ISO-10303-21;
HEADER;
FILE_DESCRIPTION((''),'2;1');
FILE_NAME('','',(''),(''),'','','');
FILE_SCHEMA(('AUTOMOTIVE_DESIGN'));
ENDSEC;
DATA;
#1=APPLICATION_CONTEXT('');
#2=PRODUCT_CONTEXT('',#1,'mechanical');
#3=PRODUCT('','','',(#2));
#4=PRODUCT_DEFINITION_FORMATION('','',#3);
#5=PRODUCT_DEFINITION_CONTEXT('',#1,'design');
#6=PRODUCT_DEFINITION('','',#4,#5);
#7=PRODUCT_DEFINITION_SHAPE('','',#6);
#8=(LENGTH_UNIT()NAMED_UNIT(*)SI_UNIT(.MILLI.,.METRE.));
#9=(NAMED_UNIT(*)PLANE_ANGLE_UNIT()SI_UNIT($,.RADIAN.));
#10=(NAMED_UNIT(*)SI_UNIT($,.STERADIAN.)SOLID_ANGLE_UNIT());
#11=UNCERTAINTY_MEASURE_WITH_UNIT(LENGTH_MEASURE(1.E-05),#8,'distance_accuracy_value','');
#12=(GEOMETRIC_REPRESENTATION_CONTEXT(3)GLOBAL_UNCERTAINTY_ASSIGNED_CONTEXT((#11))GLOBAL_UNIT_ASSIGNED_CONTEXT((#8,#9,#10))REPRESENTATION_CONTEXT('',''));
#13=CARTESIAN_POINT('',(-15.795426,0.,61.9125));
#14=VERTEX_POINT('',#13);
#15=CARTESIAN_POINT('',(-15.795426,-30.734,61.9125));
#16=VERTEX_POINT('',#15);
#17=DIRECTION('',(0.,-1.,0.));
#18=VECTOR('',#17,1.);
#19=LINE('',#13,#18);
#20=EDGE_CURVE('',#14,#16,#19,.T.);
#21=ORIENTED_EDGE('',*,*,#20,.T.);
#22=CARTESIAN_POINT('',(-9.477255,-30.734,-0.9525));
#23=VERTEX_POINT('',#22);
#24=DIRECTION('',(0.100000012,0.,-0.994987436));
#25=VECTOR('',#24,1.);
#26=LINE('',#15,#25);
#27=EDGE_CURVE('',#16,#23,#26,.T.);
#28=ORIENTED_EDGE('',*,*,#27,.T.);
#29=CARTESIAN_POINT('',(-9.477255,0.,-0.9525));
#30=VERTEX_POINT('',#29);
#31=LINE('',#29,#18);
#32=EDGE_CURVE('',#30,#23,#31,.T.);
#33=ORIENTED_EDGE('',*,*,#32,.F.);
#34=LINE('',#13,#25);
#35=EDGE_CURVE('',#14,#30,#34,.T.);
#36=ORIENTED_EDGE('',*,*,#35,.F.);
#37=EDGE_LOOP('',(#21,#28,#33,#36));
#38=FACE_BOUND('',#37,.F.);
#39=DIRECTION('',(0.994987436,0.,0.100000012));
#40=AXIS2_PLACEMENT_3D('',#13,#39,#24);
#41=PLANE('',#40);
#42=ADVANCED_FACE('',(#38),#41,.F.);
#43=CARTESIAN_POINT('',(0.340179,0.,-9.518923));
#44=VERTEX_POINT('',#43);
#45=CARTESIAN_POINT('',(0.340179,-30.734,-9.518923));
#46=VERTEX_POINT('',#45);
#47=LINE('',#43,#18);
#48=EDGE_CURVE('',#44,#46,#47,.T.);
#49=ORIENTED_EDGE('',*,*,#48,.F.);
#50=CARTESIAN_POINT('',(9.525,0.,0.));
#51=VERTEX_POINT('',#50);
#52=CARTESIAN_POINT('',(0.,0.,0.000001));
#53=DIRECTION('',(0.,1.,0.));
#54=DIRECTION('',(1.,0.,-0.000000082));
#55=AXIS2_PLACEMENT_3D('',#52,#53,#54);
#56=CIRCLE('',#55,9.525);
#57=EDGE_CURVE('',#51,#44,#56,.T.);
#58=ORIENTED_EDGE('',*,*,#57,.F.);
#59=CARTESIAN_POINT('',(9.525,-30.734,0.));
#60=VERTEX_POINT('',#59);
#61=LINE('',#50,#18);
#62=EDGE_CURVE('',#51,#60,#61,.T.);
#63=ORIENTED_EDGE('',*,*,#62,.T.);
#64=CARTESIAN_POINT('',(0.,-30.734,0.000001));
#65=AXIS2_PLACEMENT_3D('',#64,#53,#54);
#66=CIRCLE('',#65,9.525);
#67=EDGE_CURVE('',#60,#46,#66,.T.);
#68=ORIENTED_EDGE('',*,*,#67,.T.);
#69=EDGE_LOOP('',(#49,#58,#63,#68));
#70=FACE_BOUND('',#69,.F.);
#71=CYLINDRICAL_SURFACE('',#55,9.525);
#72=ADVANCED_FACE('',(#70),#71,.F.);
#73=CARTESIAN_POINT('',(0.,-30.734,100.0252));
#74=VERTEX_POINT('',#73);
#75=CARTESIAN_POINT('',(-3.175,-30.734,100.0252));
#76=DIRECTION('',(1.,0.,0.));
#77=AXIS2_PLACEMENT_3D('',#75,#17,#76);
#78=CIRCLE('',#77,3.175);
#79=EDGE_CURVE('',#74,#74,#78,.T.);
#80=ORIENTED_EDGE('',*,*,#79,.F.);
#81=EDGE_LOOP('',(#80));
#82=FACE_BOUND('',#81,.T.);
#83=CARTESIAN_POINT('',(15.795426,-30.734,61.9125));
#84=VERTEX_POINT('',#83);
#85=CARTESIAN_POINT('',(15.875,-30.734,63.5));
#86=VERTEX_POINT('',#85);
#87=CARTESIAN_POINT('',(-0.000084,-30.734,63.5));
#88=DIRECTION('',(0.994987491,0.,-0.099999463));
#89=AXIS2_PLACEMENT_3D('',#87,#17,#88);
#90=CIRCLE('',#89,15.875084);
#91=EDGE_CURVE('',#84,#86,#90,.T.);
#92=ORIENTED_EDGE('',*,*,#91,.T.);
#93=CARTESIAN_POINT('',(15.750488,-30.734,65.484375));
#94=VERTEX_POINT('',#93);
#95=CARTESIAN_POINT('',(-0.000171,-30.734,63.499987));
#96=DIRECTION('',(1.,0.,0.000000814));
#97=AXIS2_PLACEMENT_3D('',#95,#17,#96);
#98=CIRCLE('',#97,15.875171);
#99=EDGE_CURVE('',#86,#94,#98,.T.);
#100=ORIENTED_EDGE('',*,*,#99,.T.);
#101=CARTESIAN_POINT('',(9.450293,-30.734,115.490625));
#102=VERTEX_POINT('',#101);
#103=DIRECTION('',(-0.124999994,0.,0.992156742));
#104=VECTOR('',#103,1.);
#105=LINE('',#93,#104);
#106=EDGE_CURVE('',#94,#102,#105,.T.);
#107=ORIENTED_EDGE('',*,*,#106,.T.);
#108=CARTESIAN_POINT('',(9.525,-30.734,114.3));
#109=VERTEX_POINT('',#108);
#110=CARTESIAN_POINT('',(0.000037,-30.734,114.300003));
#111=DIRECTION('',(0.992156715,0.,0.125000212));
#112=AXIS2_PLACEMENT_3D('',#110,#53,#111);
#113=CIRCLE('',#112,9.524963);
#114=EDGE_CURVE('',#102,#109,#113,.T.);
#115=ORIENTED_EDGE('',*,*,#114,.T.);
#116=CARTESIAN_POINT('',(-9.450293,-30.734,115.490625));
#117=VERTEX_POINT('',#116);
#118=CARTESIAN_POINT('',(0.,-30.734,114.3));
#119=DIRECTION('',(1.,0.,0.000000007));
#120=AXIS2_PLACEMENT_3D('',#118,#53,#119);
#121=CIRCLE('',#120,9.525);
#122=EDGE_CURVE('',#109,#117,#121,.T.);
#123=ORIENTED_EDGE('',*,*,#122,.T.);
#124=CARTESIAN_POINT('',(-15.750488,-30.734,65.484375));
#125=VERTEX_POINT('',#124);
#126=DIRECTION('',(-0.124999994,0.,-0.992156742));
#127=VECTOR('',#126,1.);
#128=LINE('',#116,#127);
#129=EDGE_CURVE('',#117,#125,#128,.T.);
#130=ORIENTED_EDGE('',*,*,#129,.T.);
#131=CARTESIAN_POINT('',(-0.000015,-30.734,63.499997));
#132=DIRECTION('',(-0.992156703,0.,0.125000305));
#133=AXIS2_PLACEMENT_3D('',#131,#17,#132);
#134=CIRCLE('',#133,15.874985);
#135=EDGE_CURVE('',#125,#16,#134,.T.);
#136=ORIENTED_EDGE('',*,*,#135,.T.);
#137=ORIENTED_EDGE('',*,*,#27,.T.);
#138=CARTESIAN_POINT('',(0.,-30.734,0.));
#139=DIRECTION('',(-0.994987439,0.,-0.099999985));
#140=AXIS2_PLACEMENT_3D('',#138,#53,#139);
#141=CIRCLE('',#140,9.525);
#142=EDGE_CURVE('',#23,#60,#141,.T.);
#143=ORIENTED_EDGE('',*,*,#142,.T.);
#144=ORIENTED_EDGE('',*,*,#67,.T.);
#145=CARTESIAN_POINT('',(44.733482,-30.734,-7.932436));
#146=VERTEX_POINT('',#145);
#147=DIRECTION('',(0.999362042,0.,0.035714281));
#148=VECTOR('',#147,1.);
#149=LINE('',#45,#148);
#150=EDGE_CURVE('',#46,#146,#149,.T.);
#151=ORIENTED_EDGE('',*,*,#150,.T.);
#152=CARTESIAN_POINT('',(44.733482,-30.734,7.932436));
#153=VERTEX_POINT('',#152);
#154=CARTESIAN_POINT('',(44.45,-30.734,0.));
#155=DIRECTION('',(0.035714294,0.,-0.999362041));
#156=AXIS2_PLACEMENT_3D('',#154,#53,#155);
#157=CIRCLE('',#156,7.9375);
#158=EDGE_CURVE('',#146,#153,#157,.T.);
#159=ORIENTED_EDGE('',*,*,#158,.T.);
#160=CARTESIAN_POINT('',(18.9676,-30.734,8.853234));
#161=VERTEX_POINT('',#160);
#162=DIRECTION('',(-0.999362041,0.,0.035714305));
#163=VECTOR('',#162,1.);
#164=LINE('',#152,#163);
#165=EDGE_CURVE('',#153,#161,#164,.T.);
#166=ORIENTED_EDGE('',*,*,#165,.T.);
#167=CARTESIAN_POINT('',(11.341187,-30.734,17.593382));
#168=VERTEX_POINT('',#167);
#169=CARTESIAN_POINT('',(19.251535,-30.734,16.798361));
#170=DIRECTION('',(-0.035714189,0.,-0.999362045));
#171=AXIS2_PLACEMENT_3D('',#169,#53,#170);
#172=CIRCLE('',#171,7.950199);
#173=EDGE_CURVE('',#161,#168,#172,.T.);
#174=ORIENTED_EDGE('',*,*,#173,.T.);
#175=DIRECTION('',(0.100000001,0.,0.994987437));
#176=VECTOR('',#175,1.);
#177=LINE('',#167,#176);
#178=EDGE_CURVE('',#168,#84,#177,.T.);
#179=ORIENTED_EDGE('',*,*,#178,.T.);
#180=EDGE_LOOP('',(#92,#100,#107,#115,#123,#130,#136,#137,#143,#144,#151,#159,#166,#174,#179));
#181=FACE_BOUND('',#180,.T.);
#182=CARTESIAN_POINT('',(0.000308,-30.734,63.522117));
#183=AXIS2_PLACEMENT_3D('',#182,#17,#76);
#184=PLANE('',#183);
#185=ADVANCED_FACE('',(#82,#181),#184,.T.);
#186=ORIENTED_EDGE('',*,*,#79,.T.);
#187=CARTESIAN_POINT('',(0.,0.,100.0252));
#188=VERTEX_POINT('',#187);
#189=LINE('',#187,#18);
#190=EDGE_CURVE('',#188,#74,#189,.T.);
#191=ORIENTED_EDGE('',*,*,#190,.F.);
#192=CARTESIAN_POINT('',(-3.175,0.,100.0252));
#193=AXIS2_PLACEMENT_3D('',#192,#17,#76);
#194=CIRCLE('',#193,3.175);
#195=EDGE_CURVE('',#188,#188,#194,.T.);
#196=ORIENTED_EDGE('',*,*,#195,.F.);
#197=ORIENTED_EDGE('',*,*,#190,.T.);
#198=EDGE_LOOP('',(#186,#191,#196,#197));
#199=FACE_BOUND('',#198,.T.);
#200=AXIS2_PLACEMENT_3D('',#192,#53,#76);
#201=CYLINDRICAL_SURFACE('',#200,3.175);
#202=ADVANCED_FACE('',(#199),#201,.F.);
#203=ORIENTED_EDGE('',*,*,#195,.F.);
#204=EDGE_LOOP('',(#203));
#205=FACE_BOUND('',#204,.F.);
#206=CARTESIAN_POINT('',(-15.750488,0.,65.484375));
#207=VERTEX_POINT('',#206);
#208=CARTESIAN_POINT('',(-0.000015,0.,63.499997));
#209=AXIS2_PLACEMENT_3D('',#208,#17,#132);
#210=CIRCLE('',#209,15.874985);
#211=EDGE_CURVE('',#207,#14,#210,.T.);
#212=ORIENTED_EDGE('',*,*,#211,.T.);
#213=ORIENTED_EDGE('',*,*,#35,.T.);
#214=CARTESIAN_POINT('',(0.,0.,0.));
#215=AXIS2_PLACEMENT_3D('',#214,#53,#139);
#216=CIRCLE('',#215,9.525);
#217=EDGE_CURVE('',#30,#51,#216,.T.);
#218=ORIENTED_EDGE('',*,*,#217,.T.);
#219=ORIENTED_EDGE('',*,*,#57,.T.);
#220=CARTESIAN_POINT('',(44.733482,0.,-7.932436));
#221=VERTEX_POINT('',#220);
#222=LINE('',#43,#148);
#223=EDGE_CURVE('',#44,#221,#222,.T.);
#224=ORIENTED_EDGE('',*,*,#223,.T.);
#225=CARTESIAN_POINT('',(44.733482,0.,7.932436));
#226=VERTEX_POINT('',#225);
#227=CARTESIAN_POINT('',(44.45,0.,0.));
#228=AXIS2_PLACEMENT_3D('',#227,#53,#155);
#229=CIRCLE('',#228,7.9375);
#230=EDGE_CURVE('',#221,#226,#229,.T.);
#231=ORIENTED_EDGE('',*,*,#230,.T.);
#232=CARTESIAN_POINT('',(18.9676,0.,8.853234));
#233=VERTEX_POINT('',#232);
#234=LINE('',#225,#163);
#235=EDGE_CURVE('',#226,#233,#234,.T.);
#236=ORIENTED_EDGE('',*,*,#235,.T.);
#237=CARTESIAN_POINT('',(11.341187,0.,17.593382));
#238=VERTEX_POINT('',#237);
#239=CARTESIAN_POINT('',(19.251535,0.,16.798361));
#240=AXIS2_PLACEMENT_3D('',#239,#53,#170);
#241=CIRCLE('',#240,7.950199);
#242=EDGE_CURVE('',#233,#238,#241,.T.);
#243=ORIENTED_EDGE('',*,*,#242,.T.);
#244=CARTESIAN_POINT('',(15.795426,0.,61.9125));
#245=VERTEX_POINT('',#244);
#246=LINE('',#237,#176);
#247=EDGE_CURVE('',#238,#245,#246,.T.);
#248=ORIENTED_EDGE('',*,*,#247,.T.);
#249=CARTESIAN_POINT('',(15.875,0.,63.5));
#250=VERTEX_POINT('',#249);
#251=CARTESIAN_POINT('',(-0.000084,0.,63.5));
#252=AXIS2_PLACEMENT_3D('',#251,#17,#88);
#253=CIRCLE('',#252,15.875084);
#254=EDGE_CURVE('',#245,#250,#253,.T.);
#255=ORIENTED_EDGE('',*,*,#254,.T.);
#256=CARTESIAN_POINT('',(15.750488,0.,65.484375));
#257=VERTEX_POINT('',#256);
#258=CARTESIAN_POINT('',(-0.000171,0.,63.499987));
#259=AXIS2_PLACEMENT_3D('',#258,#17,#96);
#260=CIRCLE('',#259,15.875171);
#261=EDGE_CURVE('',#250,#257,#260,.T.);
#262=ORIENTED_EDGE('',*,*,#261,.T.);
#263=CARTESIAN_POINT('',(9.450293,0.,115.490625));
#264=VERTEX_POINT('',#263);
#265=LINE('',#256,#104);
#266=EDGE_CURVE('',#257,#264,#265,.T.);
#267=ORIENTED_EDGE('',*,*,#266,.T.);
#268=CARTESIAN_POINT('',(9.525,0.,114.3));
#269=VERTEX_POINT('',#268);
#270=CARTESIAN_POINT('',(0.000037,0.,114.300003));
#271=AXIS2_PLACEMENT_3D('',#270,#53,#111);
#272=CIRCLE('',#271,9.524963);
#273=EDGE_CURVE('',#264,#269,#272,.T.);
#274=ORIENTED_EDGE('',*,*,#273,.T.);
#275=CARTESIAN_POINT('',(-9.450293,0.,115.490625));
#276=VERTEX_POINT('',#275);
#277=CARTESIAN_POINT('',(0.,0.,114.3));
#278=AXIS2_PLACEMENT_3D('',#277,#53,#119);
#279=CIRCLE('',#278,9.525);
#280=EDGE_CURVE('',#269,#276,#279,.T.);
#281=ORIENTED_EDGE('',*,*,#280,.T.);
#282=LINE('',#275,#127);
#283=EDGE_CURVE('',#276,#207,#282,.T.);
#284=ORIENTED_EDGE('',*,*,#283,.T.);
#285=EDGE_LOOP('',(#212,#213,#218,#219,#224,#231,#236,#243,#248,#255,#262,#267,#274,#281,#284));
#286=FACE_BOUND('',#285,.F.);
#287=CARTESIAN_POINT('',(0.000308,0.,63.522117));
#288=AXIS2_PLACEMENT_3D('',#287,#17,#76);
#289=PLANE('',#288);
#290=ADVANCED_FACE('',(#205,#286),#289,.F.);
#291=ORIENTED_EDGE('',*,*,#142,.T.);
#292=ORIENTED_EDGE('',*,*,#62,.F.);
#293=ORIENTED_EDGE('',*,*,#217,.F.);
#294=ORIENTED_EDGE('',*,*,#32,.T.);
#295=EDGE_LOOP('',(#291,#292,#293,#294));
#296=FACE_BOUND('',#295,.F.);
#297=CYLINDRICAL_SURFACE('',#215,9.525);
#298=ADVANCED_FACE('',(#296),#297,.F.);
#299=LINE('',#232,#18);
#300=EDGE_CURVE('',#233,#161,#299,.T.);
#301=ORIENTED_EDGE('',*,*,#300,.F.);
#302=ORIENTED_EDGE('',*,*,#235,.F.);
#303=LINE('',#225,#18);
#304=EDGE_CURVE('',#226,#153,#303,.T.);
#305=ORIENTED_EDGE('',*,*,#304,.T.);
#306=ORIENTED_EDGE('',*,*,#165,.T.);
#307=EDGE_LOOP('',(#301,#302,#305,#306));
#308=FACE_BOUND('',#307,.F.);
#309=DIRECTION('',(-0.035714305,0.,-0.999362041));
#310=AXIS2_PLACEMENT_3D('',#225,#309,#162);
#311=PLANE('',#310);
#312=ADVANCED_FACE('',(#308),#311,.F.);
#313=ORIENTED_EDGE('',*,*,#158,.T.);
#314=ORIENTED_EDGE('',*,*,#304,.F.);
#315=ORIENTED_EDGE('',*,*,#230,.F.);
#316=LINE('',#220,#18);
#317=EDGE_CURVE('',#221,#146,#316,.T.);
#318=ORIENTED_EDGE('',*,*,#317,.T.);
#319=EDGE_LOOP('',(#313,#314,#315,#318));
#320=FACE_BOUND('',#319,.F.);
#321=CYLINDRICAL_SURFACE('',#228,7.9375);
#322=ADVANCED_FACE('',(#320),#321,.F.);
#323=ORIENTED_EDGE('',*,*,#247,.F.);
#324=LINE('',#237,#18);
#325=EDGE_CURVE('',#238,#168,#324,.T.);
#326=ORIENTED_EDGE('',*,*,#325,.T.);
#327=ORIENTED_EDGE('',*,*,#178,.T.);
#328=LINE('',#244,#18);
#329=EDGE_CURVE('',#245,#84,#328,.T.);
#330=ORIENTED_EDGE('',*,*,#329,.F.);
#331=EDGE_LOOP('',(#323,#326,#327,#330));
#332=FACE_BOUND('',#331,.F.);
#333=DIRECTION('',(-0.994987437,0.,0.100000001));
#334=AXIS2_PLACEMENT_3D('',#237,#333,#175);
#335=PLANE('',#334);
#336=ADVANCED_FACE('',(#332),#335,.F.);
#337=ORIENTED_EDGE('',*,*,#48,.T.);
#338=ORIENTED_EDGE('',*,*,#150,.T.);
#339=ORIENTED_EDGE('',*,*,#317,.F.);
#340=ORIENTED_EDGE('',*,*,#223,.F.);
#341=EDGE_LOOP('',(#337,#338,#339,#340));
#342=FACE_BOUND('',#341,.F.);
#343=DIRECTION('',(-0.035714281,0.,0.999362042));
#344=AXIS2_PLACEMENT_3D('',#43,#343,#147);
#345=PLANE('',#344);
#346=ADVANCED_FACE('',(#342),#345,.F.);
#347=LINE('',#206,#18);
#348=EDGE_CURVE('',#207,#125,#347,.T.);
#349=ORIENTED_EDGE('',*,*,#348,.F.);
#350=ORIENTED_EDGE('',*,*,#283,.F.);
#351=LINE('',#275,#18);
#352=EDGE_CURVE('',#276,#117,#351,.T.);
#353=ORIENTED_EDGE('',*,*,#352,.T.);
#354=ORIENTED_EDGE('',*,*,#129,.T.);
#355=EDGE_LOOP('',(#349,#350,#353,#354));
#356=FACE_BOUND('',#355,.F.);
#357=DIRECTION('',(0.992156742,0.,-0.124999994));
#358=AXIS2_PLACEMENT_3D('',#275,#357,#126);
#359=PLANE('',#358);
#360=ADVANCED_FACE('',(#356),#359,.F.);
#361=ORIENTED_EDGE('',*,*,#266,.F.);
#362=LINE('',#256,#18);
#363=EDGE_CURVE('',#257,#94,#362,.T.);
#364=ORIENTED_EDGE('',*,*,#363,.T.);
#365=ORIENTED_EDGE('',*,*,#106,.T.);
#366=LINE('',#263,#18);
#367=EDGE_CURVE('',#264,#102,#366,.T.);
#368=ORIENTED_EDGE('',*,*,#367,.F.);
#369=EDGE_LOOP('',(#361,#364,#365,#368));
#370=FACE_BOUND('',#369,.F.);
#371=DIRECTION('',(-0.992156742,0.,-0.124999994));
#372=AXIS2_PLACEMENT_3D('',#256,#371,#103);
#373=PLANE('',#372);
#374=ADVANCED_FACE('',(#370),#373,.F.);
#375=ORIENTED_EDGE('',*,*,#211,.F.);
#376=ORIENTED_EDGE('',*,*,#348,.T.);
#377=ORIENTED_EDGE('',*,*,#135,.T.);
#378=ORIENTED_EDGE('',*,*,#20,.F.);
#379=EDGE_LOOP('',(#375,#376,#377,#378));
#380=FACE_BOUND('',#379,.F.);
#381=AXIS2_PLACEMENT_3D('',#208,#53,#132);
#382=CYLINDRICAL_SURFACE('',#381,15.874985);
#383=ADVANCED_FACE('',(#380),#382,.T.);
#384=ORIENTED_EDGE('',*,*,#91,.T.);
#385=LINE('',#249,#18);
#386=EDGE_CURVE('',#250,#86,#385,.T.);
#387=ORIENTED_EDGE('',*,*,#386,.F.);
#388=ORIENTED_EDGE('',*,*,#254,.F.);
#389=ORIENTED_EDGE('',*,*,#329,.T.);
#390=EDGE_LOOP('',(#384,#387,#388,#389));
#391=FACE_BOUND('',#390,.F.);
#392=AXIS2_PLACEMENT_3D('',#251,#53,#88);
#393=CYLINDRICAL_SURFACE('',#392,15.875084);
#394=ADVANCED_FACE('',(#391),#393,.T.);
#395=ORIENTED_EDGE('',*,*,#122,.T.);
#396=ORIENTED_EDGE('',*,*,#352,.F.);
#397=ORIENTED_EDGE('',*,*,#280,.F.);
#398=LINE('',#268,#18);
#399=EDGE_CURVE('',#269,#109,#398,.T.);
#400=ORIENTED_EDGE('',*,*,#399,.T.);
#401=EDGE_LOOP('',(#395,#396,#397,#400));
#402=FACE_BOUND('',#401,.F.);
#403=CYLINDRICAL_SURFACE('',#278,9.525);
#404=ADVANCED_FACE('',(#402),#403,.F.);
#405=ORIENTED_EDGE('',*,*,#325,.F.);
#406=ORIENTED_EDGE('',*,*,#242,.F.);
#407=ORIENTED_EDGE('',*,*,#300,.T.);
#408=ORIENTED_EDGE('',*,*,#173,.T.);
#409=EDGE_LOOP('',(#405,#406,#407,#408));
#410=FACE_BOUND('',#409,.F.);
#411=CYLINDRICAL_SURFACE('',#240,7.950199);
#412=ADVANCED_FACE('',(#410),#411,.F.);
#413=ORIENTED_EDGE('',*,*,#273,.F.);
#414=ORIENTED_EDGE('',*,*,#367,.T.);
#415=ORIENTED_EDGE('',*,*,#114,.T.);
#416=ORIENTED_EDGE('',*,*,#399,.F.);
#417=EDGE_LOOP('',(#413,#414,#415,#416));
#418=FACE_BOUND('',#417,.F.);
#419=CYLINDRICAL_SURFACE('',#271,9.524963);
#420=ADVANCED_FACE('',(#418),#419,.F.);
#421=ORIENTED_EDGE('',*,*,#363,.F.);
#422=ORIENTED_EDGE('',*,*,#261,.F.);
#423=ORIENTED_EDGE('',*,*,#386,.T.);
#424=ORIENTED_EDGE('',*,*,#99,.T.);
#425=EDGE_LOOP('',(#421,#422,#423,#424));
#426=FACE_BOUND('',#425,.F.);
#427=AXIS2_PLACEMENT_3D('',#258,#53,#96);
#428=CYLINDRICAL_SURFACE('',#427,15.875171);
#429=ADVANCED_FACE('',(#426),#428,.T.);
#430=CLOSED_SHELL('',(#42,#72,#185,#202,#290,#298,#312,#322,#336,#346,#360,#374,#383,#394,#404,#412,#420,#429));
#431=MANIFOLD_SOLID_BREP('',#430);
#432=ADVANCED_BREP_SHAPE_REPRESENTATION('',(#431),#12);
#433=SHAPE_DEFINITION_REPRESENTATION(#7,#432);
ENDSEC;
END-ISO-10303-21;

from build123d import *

# Parameters (mm, degrees)
F0_R     = 3.175
F1_DEPTH = 30.734


with BuildPart() as f1:
    # F0 (on Front) → F1 (new body)
    with BuildSketch(Plane.XZ):
        with BuildLine():
            ThreePointArc((-15.795426, 61.9125), (0, 47.625), (15.795426, 61.9125))
            ThreePointArc((15.795426, 61.9125), (15.855094, 62.705253), (15.875, 63.5))
            ThreePointArc((15.875, 63.5), (15.843841, 64.494139), (15.750488, 65.484375))
            ThreePointArc((15.750488, 65.484375), (0, 79.375), (-15.750488, 65.484375))
            ThreePointArc((-15.750488, 65.484375), (-15.873744, 63.699705), (-15.795426, 61.9125))
        make_face()
        with Locations((0, 63.5)):
            Circle(F0_R, mode=Mode.SUBTRACT)
        with Locations((0, 63.5)):
            Circle(F0_R)
        with BuildLine():
            ThreePointArc((44.733482, -7.932436), (36.5125, 0), (44.733482, 7.932436))
            Line((44.733482, 7.932436), (18.9676, 8.853234))
            ThreePointArc((18.9676, 8.853234), (13.2612, 11.571359), (11.341187, 17.593382))
            Line((11.341187, 17.593382), (15.795426, 61.9125))
            ThreePointArc((15.795426, 61.9125), (0, 47.625), (-15.795426, 61.9125))
            Line((-15.795426, 61.9125), (-9.477255, -0.9525))
            ThreePointArc((-9.477255, -0.9525), (-0.476848, 9.513056), (9.525, 0))
            ThreePointArc((9.525, 0), (6.854408, -6.613827), (0.340179, -9.518923))
            Line((0.340179, -9.518923), (44.733482, -7.932436))
        make_face()
        with BuildLine():
            Line((-9.450293, 115.490625), (-15.750488, 65.484375))
            ThreePointArc((-15.750488, 65.484375), (0, 79.375), (15.750488, 65.484375))
            Line((15.750488, 65.484375), (9.450293, 115.490625))
            ThreePointArc((9.450293, 115.490625), (9.506305, 114.896483), (9.525, 114.3))
            ThreePointArc((9.525, 114.3), (-0.596483, 104.793695), (-9.450293, 115.490625))
        make_face()
        with Locations((-3.175, 100.0252)):
            Circle(F0_R, mode=Mode.SUBTRACT)
    extrude(amount=F1_DEPTH)


solid = f1.part
